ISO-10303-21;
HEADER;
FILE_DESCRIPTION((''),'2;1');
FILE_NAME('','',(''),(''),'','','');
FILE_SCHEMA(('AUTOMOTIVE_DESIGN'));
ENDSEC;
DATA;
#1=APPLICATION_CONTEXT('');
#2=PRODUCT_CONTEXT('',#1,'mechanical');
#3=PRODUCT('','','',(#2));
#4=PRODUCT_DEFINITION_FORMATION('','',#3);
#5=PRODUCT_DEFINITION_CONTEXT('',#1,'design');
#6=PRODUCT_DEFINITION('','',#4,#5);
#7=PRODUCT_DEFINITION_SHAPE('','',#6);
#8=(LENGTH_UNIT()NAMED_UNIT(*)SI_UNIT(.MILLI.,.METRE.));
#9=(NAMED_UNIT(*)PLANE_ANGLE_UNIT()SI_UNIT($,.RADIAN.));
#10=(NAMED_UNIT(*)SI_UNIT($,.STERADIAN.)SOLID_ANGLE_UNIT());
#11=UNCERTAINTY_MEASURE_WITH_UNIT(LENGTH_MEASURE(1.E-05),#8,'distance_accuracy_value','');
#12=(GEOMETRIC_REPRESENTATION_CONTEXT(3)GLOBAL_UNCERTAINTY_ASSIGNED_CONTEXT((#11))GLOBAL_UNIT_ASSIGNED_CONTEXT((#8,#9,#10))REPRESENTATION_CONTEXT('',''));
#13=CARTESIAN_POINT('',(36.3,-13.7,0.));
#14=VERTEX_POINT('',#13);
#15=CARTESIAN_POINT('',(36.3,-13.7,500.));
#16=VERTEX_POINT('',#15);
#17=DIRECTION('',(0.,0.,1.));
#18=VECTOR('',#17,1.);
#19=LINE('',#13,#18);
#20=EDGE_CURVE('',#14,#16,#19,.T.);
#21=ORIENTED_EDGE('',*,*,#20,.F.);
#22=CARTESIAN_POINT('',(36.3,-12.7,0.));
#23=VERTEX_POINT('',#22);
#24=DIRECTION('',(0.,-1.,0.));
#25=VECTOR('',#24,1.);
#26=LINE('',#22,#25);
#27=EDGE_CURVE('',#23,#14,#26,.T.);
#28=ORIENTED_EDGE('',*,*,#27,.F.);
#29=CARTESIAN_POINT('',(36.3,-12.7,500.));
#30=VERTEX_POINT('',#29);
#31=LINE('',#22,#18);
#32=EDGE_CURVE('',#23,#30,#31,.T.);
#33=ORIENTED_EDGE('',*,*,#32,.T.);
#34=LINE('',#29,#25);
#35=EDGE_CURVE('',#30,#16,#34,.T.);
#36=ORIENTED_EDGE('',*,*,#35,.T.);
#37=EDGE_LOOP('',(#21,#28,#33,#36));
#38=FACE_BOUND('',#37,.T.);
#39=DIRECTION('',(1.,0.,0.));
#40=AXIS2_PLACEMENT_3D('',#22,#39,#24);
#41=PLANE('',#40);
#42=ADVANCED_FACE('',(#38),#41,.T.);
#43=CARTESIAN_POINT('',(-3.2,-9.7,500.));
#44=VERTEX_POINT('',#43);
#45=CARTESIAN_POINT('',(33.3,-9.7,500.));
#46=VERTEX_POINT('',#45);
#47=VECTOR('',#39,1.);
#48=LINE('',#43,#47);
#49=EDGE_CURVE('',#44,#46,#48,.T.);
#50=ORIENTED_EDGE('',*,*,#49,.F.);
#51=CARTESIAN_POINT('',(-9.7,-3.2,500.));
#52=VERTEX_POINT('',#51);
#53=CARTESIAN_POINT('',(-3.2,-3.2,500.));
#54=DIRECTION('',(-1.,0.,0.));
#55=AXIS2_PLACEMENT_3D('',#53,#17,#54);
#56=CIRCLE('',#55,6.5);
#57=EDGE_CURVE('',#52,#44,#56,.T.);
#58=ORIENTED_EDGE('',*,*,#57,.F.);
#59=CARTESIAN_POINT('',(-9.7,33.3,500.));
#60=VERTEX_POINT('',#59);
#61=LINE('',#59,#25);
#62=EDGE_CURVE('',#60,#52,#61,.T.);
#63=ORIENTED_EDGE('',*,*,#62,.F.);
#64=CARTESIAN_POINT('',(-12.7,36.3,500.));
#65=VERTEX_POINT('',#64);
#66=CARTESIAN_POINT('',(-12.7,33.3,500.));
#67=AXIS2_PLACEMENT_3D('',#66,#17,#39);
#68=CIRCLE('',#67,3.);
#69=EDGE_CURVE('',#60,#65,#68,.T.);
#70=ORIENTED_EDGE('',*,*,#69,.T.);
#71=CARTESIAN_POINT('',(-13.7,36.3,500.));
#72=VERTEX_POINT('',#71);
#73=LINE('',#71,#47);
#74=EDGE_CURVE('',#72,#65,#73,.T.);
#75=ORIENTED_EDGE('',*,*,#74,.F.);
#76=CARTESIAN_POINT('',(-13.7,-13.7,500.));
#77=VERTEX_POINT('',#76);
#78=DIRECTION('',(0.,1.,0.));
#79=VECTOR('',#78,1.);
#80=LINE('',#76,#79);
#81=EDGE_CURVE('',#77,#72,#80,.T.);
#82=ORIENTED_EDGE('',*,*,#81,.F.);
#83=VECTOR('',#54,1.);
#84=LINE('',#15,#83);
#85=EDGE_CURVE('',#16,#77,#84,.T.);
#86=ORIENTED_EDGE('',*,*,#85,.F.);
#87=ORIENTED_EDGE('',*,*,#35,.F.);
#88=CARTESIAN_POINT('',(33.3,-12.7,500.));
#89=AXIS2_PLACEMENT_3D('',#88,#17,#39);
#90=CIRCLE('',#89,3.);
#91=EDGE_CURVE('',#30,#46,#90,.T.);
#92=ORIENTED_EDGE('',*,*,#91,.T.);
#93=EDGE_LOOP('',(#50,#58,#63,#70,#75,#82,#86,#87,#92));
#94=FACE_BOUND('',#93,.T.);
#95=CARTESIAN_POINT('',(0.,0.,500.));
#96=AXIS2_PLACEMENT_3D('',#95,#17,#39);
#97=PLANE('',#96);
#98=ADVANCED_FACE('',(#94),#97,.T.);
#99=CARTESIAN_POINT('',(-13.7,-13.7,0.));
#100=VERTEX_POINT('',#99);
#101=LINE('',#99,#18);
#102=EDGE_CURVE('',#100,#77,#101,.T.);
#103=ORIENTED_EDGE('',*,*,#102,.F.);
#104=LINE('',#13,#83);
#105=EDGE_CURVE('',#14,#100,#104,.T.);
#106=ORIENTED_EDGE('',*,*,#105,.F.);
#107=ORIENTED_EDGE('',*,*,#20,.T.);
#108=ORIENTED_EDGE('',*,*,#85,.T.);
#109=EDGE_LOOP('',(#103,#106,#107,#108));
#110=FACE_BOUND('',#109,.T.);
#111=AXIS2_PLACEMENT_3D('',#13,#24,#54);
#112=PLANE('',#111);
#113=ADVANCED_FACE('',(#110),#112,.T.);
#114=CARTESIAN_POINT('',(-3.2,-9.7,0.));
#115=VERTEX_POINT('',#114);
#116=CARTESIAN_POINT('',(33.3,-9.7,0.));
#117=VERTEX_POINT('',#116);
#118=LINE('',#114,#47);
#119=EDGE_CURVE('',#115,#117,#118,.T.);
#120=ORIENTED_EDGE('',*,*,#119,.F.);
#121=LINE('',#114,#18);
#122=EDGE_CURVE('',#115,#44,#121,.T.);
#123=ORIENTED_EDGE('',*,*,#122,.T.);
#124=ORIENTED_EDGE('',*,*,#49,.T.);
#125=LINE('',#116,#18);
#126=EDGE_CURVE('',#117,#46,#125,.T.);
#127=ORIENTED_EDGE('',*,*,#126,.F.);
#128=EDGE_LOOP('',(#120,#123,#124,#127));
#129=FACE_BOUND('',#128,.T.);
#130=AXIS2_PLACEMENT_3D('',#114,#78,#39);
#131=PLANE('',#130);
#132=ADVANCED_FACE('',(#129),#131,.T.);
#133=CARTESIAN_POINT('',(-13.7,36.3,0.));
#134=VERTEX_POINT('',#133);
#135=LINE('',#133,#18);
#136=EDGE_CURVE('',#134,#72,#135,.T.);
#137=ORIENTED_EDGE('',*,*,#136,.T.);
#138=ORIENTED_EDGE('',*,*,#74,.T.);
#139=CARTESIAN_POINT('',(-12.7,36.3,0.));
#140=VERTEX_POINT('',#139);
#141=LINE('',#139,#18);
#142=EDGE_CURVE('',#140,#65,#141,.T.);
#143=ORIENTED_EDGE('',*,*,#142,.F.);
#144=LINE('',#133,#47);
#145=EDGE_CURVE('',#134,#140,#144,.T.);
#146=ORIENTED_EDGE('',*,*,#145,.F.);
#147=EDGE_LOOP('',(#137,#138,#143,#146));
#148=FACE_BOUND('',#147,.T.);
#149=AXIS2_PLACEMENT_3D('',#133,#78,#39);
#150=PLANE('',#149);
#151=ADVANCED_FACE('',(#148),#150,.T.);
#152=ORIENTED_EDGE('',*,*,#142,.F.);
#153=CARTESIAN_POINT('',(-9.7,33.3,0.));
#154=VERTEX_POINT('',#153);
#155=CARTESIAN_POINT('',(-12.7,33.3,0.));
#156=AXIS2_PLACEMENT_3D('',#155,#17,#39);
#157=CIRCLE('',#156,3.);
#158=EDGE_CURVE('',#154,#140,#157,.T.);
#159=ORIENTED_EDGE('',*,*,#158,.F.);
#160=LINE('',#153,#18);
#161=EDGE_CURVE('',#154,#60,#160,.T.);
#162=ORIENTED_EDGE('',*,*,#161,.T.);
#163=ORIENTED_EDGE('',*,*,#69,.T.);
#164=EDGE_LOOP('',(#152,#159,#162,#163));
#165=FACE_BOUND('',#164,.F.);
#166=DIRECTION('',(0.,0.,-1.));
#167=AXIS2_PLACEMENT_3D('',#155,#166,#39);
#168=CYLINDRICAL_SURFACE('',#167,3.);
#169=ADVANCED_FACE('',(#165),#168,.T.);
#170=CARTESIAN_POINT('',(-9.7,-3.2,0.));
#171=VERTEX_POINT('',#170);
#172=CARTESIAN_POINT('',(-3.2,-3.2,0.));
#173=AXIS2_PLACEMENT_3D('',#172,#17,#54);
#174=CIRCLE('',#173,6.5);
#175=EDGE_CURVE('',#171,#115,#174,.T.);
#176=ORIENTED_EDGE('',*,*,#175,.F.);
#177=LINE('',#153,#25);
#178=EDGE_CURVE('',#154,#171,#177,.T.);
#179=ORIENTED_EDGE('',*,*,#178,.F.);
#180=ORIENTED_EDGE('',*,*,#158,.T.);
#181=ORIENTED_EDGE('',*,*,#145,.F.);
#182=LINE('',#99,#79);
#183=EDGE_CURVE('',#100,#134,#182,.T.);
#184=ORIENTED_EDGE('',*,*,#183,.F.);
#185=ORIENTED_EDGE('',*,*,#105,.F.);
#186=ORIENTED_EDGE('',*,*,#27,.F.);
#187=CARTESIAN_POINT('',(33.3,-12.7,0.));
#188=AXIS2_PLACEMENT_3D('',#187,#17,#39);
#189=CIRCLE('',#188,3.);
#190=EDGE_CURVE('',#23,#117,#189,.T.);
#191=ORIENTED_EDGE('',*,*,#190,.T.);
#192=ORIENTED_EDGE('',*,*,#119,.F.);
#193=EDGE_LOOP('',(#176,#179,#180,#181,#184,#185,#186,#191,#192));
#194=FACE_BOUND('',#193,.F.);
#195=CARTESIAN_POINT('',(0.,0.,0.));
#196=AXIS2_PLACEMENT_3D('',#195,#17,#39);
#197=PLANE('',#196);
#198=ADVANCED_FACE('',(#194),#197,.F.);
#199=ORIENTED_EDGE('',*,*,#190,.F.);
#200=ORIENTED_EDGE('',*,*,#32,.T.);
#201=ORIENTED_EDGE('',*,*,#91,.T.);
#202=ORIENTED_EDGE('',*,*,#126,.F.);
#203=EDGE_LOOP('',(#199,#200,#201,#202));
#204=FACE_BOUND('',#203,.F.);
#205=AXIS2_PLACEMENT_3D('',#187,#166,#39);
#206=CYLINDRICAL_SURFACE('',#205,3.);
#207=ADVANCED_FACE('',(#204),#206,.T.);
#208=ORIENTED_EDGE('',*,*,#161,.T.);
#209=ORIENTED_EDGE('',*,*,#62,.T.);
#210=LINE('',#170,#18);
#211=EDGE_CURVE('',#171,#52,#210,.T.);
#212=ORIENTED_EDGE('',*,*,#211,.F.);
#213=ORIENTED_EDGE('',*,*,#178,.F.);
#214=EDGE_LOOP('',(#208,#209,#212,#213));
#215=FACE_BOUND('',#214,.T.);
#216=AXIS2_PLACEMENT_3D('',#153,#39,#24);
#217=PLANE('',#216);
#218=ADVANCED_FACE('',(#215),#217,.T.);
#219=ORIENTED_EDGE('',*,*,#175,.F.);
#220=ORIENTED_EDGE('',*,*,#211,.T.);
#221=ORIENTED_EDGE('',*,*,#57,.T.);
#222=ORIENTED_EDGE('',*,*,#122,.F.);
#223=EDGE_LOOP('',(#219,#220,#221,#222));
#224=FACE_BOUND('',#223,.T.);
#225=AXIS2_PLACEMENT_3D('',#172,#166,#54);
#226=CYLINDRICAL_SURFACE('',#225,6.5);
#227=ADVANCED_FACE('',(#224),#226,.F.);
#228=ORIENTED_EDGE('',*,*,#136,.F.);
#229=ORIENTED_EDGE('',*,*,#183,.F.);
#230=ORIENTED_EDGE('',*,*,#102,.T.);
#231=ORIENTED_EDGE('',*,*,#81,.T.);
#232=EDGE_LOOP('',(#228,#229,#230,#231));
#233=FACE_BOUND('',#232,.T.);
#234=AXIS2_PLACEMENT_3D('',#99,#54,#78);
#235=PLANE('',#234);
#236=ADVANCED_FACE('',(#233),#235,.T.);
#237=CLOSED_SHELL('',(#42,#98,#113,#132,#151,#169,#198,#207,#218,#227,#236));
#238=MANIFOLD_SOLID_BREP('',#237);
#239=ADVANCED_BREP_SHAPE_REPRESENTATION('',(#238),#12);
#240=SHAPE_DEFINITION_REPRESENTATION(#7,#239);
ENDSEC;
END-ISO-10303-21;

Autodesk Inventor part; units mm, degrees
ref_plane "YZ Plane" through (0, 0, 0) normal (1, 0, 0) x (0, 1, 0)
ref_plane "開始平面" through (0, 0, 0) normal (0, 0, 1) x (1, 0, 0)
ref_plane "終了平面" through (0, 0, 500) normal (0, 0, 1) x (1, 0, 0)
sketch "スケッチ" plane through (0, 0, 0) normal (0, 0, 1) x (1, 0, 0)
  line L0 (36.3, -13.7) -> (-13.7, -13.7)
  line L1 (-13.7, -13.7) -> (-13.7, 36.3)
  line L2 (-13.7, 36.3) -> (-12.7, 36.3)
  line L3 (-9.7, 33.3) -> (-9.7, -3.2)
  line L4 (-3.2, -9.7) -> (33.3, -9.7)
  line L5 (36.3, -12.7) -> (36.3, -13.7)
  line L6 (0, -11.0414) -> (0, 31.5385) construction
  line L7 (-11.0414, 0) -> (31.5385, 0) construction
  arc A0 (-9.7, -3.2) -> (-3.2, -9.7) centre (-3.2, -3.2) ccw
  arc A1 (-9.7, 33.3) -> (-12.7, 36.3) centre (-12.7, 33.3) ccw
  arc A2 (36.3, -12.7) -> (33.3, -9.7) centre (33.3, -12.7) ccw
  line L8 (0, 47.0456) -> (0, -23.8243) construction
  line L9 (-23.8243, 0) -> (47.0456, 0) construction
  point P0 (-9.7, 36.3)
  point P1 (-9.7, -9.7)
  point P2 (36.3, -9.7)
  dimension "d0" = 50
  dimension "d1" = 50
  dimension "d2" = 4
  dimension "d3" = 4
  dimension "d8" = 6.5
  dimension "d9" = 3
  dimension "d16" = 13.7
  dimension "d18" = 13.7
extrude "ボディ" add sketch "スケッチ" along normal up to surface (500 mm away) from surface at 0
sketch "Sketch3" plane through (0, 0, 0) normal (0, 0, 1) x (1, 0, 0)
  line L0 (0, 0) -> (10, 0)
ref_plane "Work Plane3" through (0, 0, 0) normal (0, -1, 0) x (1, 0, 0)
sketch "Sketch4" plane through (0, 0, 0) normal (0, -1, 0) x (1, 0, 0)
  line L0 (-2, 0) -> (12, 0)
  line L1 (-2, 500) -> (12, 500)
  dimension "d15" = 500
equation "\"d0\" = G_H"
equation "\"d1\" = G_H"
equation "\"d2\" = G_T"
equation "\"d3\" = G_T"
equation "\"d8\" = G_IR"
equation "\"d9\" = G_ER"
equation "\"d16\" = ex"
equation "\"d18\" = d16"
equation "\"d4\" = G_L"
equation "\"G_H\" = 50"
equation "\"G_T\" = 4"
equation "\"G_ER\" = 3"
equation "\"G_IR\" = 6.5"
equation "\"G_L\" = d15"
equation "\"ex\" = 13.7"
equation "\"G_OFFSET_START\" = 0"
equation "\"G_OFFSET_END\" = 0"
properties part number "JIS G 3192 - 50 x 50 x 4 - 500"
